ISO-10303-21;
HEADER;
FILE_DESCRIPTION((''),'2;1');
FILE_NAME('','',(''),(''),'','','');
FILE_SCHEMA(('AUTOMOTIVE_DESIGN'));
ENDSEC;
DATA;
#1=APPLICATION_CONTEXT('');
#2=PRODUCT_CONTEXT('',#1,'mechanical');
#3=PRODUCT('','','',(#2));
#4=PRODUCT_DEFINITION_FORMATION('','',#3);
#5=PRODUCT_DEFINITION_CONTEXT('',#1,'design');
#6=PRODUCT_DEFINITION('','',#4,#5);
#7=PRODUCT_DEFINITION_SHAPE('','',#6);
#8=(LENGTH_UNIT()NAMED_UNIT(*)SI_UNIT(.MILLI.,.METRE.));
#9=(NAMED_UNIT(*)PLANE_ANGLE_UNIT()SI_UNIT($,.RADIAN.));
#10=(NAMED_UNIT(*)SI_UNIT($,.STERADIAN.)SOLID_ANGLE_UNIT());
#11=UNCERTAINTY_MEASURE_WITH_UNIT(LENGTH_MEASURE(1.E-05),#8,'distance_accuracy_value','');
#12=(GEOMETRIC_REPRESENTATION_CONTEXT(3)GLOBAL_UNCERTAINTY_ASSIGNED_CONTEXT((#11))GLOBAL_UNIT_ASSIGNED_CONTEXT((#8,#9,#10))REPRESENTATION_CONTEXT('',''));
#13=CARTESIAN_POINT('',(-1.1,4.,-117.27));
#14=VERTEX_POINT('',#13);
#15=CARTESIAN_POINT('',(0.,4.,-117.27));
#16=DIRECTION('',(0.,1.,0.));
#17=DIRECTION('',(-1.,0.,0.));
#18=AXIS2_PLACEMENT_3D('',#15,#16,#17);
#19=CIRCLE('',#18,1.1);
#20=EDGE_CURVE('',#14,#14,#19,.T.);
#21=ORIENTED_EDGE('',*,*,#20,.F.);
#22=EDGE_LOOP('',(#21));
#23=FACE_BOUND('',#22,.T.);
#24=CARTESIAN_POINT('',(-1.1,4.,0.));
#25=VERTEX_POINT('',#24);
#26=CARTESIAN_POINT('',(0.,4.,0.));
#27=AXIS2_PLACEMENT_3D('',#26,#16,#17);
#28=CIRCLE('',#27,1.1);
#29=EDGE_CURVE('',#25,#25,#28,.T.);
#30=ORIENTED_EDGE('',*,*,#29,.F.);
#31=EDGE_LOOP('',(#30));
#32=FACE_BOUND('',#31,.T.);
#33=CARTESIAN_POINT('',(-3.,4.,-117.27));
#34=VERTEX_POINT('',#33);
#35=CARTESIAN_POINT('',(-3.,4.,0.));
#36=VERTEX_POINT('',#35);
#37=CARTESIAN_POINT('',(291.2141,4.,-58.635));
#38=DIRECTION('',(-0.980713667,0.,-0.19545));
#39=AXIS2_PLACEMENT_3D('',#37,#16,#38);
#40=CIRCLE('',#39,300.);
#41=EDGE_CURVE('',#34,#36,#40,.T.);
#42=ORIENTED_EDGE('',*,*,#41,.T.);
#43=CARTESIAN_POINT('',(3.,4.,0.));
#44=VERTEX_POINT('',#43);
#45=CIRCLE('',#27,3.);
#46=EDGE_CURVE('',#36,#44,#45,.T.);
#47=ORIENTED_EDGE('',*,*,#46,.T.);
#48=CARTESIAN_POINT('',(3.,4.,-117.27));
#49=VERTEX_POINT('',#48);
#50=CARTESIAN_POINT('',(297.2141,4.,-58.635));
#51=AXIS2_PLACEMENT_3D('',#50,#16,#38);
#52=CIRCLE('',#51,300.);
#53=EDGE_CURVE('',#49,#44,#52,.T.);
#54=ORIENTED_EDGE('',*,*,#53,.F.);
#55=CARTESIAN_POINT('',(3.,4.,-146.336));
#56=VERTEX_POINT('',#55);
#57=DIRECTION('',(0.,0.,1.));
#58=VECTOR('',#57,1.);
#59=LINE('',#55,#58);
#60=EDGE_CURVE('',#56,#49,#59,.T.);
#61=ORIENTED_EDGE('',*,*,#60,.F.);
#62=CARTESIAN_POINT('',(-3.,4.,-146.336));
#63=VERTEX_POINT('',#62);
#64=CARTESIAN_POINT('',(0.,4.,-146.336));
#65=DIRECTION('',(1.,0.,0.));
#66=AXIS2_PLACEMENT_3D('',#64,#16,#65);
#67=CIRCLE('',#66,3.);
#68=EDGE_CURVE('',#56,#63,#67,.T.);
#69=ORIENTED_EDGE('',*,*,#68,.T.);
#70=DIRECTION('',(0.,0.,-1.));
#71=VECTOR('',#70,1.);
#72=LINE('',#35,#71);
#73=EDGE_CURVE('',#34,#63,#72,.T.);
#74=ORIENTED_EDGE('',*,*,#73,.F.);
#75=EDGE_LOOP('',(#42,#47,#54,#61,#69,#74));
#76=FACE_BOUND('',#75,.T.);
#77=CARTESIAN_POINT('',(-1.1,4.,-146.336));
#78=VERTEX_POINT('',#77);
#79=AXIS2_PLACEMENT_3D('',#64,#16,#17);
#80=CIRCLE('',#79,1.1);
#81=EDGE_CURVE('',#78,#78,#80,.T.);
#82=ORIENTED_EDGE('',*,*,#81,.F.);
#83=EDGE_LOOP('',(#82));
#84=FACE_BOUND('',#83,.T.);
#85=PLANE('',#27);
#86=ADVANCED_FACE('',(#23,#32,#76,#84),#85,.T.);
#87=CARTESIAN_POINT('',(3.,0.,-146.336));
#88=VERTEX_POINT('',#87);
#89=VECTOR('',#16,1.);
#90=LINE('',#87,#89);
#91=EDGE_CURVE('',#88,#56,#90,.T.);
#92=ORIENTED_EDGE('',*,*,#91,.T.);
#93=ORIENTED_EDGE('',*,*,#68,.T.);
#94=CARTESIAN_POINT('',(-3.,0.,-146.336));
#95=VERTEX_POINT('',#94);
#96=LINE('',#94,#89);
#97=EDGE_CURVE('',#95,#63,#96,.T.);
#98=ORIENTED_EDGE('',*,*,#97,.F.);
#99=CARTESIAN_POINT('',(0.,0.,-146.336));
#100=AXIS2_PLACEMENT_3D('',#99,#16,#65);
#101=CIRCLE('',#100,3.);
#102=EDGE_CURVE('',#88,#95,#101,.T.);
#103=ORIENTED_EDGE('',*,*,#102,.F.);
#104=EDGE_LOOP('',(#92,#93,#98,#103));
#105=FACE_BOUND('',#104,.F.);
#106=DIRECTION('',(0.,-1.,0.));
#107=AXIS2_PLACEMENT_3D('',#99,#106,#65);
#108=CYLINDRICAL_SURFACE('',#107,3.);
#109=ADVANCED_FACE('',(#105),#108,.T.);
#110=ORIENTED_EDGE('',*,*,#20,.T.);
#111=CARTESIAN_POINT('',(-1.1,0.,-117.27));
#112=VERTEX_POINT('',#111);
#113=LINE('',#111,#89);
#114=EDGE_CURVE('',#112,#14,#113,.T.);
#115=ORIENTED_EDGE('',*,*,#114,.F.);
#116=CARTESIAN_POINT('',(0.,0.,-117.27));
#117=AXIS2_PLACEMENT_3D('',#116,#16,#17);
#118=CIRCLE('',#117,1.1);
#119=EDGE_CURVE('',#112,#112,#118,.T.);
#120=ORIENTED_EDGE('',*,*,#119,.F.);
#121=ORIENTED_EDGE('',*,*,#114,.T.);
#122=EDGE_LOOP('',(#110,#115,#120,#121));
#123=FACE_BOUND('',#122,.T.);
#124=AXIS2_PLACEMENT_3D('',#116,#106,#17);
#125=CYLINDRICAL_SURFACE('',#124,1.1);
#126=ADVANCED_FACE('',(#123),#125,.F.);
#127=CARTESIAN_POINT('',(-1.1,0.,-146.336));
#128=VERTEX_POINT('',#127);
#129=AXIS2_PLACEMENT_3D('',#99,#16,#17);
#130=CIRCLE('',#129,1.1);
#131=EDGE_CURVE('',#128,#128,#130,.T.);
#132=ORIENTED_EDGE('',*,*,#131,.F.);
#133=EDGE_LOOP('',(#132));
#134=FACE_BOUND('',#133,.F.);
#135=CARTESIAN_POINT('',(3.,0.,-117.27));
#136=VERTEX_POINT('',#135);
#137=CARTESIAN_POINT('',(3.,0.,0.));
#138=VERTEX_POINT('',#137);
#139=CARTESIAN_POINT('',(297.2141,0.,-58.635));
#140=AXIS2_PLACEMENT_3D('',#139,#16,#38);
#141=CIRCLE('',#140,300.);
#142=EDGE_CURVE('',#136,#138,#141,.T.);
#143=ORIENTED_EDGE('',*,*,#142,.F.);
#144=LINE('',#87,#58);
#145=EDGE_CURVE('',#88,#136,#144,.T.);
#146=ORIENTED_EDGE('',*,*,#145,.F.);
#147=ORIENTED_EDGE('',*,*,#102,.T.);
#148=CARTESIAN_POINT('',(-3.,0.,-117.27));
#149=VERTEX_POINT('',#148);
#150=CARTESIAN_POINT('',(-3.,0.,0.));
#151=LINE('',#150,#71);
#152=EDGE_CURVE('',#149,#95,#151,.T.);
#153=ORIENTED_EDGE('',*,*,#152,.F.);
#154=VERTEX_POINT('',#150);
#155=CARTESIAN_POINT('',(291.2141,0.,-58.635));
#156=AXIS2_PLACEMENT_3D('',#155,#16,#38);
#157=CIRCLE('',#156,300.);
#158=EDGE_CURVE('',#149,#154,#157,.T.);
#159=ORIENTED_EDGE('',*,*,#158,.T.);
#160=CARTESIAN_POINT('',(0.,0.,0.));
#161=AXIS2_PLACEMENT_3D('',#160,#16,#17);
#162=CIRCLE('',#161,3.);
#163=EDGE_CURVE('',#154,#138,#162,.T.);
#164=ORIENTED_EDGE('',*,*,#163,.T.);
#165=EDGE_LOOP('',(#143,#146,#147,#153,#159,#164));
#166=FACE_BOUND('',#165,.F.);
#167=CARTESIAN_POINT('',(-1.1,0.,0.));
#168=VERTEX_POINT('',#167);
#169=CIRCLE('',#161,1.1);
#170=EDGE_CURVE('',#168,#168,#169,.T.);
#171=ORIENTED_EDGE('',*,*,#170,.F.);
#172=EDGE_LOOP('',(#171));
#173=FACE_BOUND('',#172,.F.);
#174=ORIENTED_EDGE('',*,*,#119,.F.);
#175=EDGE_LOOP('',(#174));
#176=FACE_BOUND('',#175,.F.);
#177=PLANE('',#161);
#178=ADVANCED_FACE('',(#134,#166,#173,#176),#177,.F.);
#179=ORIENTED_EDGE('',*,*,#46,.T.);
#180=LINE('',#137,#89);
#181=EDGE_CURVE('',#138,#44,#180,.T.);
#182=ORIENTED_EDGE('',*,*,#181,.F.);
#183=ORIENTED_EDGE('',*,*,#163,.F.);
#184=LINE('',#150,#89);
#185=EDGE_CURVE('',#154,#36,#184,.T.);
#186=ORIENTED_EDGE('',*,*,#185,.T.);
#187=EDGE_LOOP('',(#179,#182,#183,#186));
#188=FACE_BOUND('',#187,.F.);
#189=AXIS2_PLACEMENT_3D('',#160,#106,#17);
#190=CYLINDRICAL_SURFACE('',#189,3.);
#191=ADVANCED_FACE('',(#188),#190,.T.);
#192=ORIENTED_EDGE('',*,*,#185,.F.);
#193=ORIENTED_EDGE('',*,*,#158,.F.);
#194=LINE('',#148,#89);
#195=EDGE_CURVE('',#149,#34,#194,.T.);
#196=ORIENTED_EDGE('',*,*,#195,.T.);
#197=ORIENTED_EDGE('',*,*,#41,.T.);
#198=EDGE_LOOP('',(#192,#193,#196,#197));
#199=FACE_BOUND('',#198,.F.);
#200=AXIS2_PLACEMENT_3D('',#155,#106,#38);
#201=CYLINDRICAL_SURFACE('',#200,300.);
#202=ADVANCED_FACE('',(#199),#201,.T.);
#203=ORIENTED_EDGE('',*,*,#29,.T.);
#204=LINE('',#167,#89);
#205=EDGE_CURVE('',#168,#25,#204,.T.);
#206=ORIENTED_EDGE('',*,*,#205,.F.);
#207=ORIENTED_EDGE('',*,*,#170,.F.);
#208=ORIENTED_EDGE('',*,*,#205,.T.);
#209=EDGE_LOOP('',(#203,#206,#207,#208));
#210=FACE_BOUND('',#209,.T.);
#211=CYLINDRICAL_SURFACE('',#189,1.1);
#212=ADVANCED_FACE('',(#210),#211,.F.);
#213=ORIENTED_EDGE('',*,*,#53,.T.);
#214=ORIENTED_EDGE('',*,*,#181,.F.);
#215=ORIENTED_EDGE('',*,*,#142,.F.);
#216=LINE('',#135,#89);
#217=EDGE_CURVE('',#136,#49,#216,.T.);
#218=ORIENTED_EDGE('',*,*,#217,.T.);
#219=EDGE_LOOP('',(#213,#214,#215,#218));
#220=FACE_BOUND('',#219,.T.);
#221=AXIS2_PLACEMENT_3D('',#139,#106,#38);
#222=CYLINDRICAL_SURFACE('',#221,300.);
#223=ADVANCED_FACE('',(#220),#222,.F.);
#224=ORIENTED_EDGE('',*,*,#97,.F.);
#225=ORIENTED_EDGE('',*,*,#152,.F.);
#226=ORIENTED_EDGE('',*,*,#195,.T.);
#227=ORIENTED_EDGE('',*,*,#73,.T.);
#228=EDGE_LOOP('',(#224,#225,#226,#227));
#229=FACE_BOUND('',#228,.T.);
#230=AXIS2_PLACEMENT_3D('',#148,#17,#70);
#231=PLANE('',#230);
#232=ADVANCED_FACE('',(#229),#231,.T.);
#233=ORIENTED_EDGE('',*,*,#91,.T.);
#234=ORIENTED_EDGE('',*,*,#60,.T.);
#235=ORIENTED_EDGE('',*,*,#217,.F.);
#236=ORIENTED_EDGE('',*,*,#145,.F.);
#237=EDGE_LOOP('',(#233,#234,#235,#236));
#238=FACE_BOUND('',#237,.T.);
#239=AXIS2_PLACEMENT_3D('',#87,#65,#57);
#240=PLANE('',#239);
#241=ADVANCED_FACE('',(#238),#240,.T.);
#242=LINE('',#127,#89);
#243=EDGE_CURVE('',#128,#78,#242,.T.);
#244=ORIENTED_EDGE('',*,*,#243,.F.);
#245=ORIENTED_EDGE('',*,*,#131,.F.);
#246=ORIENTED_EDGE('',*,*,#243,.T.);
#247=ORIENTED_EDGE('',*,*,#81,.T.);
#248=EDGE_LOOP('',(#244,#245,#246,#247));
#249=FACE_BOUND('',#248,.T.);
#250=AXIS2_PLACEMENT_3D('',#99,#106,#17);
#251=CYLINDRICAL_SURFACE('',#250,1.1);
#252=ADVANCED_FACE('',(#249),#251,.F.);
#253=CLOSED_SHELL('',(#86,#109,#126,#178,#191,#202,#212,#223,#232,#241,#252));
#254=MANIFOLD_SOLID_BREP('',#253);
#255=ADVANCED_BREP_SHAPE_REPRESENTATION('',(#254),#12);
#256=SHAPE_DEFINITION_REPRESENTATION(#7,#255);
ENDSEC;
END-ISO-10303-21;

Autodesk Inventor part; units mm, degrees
ref_plane "YZ Plane" through (0, 0, 0) normal (1, 0, 0) x (0, 1, 0)
ref_plane "XZ Plane" through (0, 0, 0) normal (0, 1, 0) x (-1, 0, 0)
ref_plane "XY Plane" through (0, 0, 0) normal (0, 0, 1) x (1, 0, 0)
sketch "Sketch1" plane through (0, 0, 0) normal (0, 1, 0) x (-1, 0, 0)
  line L0 (0, 0) -> (0, -146.336) construction
  line L1 (3, 0) -> (3, -146.336)
  line L2 (-3, -146.336) -> (-3, 0)
  arc A0 (3, 0) -> (-3, 0) centre (0, 0) ccw
  arc A1 (-3, -146.336) -> (3, -146.336) centre (0, -146.336) ccw
  circle A2 centre (0, 0) radius 1.1
  circle A3 centre (0, -146.336) radius 1.1
  circle A4 centre (0, -117.27) radius 1.1
  arc A5 (-3, -117.27) -> (-3, 0) centre (-297.2141, -58.635) ccw
  arc A6 (3, -117.27) -> (3, 0) centre (-291.2141, -58.635) ccw
  point P0 (0, -73.168)
  dimension "d0" = 2.2
  dimension "d1" = 2.2
  dimension "d2" = 6
  dimension "d3" = 146.336
  dimension "d14" = 2.2
  dimension "d15" = 117.27
  dimension "d16" = 300
  dimension "d17" = 300
extrude "Extrusion1" add sketch "Sketch1" along normal blind 4 contours A6 L1 | L1 A1 L2 A5 A0
